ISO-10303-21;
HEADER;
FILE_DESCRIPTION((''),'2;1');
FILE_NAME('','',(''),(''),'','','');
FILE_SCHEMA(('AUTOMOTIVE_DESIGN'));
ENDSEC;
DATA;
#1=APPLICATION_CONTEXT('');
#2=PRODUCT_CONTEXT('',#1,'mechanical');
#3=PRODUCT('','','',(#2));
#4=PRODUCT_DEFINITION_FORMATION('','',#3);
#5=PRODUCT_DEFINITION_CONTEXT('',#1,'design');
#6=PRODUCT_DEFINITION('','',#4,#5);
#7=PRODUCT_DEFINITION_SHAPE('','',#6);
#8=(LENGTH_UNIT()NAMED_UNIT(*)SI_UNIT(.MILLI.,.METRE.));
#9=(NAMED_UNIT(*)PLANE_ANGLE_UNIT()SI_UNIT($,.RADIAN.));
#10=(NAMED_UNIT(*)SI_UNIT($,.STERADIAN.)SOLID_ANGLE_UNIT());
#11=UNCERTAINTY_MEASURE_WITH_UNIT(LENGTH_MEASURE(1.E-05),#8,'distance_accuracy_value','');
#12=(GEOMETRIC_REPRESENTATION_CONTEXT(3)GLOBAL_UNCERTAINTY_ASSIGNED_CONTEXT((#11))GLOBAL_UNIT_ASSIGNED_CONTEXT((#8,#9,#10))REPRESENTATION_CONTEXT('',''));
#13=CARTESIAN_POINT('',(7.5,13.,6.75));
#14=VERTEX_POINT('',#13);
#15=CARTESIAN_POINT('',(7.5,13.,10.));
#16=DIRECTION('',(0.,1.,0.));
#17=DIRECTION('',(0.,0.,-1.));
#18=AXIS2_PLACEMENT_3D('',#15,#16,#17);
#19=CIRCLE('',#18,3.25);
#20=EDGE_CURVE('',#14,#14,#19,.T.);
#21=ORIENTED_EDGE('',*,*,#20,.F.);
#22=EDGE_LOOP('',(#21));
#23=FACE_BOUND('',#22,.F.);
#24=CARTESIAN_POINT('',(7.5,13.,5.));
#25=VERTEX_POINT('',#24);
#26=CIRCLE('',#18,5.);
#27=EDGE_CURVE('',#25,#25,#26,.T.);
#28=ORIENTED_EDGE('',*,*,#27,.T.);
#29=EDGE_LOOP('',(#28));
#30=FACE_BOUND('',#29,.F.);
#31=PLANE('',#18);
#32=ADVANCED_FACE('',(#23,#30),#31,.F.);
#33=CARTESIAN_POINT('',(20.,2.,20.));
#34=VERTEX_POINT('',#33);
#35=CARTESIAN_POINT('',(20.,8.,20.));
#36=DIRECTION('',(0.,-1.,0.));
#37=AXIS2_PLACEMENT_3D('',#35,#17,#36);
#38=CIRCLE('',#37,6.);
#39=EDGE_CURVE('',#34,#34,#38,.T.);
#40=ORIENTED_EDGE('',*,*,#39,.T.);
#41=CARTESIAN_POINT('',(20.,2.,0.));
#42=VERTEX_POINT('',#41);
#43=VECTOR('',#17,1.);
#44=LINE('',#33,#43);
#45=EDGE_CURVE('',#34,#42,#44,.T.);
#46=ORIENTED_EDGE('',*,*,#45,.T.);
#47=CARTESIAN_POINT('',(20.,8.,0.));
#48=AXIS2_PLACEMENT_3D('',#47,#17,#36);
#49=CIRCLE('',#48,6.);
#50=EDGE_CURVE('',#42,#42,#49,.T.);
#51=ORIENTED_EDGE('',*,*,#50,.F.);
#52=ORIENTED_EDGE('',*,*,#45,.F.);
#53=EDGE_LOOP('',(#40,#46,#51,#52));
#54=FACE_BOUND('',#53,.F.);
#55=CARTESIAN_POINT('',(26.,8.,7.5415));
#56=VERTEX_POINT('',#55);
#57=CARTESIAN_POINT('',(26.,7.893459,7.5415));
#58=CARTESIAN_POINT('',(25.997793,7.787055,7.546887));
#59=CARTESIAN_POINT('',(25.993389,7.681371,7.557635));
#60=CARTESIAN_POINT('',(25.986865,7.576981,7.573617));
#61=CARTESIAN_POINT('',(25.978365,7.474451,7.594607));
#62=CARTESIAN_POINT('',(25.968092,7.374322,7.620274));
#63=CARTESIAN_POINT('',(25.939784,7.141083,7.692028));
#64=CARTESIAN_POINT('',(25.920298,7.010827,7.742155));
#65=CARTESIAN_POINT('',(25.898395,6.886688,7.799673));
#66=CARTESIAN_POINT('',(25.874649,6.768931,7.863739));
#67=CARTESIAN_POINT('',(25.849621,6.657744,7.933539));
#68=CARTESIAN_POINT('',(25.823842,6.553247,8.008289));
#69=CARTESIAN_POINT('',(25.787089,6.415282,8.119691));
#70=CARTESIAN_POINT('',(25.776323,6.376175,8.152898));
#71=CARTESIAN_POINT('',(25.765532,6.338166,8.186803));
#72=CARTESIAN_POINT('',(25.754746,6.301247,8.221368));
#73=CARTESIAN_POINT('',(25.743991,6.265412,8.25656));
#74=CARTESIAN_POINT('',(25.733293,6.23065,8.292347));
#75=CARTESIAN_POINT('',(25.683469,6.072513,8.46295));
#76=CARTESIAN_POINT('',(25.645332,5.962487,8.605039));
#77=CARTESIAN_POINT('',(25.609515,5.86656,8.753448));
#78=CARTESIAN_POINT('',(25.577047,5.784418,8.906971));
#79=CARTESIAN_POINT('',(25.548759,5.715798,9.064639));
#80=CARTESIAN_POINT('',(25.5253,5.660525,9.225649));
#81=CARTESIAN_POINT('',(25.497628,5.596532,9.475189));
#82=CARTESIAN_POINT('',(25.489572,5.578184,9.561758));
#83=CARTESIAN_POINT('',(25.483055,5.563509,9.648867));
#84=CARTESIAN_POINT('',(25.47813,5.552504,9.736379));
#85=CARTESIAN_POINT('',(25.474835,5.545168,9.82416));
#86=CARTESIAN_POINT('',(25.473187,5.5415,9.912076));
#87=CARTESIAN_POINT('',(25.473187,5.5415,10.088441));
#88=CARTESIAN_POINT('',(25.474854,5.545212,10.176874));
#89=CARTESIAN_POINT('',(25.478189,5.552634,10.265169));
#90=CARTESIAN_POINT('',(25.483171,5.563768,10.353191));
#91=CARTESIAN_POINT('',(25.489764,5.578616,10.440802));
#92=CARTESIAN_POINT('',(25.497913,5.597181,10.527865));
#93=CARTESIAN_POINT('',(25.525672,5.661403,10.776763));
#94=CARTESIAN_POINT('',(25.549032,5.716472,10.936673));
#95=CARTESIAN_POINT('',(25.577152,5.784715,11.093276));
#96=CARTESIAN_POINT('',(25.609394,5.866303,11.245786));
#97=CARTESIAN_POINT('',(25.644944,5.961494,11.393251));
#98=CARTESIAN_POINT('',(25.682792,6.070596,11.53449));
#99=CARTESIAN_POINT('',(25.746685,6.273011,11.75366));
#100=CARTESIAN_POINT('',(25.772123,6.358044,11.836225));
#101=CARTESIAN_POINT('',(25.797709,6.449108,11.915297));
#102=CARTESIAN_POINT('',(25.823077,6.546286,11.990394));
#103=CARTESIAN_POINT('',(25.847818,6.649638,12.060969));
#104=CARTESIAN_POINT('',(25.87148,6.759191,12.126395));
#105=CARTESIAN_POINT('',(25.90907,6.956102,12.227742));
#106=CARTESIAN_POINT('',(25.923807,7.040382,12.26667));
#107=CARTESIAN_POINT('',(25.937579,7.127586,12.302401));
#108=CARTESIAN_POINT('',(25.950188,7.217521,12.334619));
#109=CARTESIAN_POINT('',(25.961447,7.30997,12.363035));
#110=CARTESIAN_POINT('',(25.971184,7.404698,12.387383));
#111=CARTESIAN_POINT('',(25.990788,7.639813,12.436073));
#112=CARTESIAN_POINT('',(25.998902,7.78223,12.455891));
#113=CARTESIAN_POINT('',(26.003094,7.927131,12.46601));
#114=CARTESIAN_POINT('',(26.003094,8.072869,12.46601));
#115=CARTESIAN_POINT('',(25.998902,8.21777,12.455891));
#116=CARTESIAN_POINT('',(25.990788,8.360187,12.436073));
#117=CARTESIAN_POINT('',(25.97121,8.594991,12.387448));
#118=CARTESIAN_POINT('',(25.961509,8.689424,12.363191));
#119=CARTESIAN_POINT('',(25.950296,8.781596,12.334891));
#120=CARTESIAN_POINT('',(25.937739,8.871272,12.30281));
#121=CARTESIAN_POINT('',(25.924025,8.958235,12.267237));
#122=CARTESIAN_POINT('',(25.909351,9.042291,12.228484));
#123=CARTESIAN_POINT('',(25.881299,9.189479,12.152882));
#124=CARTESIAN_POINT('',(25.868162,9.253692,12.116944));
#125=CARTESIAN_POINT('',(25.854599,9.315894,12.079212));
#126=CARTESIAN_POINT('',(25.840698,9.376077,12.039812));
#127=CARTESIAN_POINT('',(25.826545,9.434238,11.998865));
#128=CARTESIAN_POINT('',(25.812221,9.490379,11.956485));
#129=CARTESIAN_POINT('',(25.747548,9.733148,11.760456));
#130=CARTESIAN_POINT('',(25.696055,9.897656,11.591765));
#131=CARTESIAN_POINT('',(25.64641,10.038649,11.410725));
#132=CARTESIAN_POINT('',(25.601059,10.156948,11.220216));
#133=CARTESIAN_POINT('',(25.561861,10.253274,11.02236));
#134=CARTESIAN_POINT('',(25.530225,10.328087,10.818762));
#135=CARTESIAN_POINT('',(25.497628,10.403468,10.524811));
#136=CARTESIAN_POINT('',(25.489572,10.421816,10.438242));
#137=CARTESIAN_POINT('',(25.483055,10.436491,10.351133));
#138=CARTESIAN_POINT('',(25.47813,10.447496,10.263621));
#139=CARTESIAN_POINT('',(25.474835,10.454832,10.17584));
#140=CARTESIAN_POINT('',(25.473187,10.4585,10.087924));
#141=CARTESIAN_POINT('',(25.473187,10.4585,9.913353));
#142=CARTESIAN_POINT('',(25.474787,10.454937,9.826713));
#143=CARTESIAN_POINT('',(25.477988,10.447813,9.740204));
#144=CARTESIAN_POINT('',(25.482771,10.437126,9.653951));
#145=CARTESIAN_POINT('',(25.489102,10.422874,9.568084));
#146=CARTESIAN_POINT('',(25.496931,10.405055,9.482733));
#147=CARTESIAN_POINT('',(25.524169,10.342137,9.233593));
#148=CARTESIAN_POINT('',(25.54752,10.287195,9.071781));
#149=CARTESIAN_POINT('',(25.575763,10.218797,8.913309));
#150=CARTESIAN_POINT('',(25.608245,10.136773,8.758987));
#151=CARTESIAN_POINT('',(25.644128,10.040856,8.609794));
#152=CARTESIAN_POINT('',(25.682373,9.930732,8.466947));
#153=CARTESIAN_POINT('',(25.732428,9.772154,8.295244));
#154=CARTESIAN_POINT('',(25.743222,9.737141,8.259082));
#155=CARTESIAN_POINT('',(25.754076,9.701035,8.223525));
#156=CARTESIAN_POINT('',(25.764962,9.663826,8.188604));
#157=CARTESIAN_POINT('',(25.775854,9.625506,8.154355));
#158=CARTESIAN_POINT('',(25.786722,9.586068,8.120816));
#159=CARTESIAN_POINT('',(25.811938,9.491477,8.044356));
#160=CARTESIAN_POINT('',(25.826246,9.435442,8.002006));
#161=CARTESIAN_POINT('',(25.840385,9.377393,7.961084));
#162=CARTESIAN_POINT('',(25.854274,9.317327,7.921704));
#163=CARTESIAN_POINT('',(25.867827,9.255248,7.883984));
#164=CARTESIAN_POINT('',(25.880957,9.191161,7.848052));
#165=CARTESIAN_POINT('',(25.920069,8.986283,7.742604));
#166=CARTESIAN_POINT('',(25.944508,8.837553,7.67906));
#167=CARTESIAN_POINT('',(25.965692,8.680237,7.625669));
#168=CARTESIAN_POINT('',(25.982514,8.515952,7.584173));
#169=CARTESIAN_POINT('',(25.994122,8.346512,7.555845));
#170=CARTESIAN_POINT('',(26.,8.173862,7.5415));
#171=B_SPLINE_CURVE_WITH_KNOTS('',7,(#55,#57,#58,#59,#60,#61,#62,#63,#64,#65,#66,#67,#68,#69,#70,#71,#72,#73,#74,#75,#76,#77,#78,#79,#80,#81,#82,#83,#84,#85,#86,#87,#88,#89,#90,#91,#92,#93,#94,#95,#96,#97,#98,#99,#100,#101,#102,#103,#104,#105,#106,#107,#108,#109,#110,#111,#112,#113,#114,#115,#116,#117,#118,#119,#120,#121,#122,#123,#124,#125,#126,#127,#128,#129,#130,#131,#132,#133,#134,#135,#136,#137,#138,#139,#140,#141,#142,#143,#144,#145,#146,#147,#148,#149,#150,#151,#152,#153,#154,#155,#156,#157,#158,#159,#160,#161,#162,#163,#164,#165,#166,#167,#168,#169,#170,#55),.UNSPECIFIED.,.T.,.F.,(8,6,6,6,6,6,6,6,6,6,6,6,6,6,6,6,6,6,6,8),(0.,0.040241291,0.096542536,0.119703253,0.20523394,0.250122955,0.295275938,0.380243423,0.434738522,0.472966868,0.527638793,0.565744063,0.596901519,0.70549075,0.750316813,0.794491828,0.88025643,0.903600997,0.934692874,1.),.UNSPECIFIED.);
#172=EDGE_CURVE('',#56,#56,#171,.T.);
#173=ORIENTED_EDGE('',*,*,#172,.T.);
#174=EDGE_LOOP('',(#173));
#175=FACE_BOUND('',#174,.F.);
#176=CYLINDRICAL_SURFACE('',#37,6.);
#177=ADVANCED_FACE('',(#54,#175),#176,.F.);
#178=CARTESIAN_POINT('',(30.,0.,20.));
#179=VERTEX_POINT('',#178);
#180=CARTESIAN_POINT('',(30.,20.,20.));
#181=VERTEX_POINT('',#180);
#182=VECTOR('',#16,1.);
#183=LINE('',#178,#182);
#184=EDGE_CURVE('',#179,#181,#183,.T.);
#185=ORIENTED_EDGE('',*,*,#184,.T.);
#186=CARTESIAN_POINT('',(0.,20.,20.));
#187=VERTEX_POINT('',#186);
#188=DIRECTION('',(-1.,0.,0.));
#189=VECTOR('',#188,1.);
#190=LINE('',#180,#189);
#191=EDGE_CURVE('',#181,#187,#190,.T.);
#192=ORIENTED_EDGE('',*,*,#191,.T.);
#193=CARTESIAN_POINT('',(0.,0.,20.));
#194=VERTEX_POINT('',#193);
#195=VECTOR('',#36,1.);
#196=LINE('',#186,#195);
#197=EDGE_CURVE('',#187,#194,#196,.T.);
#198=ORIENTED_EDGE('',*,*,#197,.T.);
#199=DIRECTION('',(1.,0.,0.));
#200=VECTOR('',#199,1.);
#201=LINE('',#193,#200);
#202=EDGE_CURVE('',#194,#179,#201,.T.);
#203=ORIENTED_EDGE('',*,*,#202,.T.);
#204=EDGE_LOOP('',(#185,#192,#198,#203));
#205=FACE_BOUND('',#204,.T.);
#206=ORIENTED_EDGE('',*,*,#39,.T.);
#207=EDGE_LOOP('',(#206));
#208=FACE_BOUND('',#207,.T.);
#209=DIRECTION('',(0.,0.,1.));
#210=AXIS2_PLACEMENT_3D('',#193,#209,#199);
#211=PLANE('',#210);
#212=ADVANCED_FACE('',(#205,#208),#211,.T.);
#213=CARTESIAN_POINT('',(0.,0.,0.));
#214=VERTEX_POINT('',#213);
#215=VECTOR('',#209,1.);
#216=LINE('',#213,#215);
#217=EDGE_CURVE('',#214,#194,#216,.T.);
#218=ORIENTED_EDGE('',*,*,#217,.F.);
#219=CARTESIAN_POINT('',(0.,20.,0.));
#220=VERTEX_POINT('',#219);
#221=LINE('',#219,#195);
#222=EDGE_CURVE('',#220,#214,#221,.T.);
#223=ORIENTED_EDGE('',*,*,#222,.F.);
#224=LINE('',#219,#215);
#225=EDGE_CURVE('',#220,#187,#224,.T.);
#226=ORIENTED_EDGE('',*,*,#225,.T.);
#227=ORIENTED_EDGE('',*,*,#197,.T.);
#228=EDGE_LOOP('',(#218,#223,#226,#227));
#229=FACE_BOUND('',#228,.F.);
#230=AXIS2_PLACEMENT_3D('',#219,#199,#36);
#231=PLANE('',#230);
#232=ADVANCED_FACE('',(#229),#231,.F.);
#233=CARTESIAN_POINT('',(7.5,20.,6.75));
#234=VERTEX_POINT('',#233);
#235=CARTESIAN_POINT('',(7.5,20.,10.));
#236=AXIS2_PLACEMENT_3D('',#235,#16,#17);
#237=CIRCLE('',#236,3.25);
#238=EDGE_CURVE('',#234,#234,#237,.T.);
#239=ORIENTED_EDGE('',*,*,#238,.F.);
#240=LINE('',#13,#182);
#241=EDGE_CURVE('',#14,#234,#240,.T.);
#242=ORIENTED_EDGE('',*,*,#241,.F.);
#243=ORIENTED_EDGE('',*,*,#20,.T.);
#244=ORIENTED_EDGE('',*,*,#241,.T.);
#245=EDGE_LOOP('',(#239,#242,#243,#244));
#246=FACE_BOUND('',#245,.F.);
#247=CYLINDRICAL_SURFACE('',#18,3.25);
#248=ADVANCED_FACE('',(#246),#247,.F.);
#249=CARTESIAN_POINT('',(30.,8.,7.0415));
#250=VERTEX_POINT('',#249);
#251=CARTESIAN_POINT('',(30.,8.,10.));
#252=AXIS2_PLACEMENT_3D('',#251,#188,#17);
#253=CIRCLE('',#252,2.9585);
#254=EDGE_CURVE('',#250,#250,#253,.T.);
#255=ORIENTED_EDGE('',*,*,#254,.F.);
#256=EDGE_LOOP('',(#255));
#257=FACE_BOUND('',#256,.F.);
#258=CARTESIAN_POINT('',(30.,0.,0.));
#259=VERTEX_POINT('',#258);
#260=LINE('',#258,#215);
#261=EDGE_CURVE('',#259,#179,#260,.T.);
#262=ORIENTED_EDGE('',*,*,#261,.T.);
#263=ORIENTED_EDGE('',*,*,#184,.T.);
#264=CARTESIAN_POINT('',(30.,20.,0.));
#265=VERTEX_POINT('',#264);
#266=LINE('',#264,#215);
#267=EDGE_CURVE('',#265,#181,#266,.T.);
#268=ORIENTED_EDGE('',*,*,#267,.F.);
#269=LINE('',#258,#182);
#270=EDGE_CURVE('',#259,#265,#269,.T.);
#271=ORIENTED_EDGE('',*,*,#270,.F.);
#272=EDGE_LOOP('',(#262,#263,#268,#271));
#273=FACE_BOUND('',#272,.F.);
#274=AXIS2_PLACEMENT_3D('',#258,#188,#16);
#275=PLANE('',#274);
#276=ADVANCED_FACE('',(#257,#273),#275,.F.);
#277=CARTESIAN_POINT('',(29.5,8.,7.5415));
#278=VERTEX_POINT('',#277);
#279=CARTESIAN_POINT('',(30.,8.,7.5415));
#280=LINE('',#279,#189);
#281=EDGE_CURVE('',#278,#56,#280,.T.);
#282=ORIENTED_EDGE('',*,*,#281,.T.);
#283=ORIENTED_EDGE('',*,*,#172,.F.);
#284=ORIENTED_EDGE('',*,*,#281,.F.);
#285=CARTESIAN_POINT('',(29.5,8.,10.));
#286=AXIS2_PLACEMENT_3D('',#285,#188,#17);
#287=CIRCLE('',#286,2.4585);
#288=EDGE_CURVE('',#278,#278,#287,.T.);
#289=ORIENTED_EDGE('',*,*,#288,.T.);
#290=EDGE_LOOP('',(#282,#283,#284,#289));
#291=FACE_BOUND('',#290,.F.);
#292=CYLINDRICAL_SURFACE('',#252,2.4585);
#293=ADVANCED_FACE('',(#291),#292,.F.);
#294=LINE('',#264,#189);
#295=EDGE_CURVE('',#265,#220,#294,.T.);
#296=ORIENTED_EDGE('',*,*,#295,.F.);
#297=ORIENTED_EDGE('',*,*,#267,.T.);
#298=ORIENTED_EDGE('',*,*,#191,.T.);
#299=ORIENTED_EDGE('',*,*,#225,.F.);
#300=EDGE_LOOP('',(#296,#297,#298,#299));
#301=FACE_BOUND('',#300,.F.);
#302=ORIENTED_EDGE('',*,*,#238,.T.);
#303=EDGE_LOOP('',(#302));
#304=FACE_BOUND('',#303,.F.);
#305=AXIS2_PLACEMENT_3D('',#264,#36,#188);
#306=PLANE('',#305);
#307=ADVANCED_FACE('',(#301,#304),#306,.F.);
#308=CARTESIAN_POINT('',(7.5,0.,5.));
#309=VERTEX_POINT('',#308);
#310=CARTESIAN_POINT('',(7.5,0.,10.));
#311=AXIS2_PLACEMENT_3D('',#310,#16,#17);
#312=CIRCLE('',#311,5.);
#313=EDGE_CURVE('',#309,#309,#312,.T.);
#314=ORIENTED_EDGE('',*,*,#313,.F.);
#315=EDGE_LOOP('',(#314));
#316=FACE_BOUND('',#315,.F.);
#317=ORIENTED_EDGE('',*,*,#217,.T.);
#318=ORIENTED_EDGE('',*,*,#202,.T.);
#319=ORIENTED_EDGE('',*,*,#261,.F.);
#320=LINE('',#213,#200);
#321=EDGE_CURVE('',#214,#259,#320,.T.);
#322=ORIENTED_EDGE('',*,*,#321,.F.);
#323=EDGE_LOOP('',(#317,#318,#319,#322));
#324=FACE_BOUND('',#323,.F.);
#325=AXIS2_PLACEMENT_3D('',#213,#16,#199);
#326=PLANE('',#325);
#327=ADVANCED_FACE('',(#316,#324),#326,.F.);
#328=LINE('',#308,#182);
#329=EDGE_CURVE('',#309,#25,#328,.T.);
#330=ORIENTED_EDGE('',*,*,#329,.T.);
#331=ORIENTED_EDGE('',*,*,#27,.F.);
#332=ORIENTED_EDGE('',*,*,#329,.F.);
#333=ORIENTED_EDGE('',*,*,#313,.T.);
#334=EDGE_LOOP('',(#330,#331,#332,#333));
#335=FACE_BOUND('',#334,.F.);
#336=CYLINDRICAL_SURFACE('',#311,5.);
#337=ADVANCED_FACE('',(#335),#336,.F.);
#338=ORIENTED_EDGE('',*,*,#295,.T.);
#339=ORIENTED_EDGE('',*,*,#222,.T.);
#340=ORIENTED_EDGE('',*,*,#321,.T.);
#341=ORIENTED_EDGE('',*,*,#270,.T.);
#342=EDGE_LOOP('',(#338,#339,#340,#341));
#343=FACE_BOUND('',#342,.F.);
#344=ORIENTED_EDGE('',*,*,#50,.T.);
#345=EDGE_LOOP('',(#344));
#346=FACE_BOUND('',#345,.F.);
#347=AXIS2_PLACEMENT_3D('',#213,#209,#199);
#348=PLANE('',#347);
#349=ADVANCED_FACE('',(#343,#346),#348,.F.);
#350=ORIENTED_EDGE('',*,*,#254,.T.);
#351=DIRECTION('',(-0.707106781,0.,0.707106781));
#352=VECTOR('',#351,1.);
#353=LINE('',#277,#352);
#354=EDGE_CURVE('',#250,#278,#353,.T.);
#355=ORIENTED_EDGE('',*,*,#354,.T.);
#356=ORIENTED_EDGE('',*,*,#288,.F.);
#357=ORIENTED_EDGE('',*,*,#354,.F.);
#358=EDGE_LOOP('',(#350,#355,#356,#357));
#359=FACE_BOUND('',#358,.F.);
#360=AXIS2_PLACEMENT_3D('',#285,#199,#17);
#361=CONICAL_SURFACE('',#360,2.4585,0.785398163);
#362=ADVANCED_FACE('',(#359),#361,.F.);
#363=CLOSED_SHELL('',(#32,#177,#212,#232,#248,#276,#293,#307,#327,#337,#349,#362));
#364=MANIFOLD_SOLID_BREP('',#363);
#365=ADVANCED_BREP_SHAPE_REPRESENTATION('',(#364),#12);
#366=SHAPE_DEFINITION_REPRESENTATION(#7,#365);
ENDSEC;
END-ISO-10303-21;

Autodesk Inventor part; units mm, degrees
ref_plane "YZ Plane" through (0, 0, 0) normal (1, 0, 0) x (0, 1, 0)
ref_plane "XZ Plane" through (0, 0, 0) normal (0, 1, 0) x (-1, 0, 0)
ref_plane "XY Plane" through (0, 0, 0) normal (0, 0, 1) x (1, 0, 0)
sketch "Sketch1" plane through (0, 0, 0) normal (0, 0, 1) x (1, 0, 0)
  line L0 (0, 0) -> (30, 0)
  line L1 (30, 0) -> (30, 20)
  line L2 (30, 20) -> (0, 20)
  line L3 (0, 20) -> (0, 0)
  dimension "d0" = 30
  dimension "d1" = 20
extrude "Extrusion1" add sketch "Sketch1" along normal blind 20
sketch "Sketch2" plane through (0, 0, 0) normal (0, -1, 0) x (1, 0, 0)
  line L0 (30, 20) -> (0, 20) projected
  line L1 (0, 0) -> (0, 20) projected
  point P0 (7.5, 10)
  dimension "d4" = 7.5
  dimension "d5" = 10
hole "Hole1" at (7.5, 0, 10) direction (0, 1, 0) diameter 6.5 depth 20 tip angle 118 counterbore diameter 10 counterbore depth 13
sketch "Sketch3" plane through (0, 0, 20) normal (0, 0, 1) x (1, 0, 0)
  line L0 (0, 0) -> (0, 20) projected
  line L1 (0, 20) -> (30, 20) projected
  point P0 (20, 8)
  dimension "d13" = 20
  dimension "d14" = 12
hole "Hole2" at (20, 8, 20) direction (0, 0, -1) diameter 12 depth 20 tip angle 118
sketch "Sketch4" plane through (30, 0, 0) normal (1, 0, 0) x (0, 0, -1)
  line L0 (0, 0) -> (0, 20) projected
  line L1 (0, 20) -> (-20, 20) projected
  point P0 (-10, 8)
  dimension "d22" = 10
  dimension "d23" = 12
hole "Hole3" at (30, 8, 10) direction (-1, 0, 0) diameter 4.917 depth 6 tip angle 118 thread size "M6x1" class "6H" standard "ANSI Metric M Profile"
chamfer "Chamfer1" distance 0.5 angle 45 1 edges at (30, 8, 12.4585)
equation "\"d17\" = d14"
equation "\"d26\" = d14"
properties part number "MANCAL DO EIXO DIANTEIRO(7)" material "Carbon Steel"
